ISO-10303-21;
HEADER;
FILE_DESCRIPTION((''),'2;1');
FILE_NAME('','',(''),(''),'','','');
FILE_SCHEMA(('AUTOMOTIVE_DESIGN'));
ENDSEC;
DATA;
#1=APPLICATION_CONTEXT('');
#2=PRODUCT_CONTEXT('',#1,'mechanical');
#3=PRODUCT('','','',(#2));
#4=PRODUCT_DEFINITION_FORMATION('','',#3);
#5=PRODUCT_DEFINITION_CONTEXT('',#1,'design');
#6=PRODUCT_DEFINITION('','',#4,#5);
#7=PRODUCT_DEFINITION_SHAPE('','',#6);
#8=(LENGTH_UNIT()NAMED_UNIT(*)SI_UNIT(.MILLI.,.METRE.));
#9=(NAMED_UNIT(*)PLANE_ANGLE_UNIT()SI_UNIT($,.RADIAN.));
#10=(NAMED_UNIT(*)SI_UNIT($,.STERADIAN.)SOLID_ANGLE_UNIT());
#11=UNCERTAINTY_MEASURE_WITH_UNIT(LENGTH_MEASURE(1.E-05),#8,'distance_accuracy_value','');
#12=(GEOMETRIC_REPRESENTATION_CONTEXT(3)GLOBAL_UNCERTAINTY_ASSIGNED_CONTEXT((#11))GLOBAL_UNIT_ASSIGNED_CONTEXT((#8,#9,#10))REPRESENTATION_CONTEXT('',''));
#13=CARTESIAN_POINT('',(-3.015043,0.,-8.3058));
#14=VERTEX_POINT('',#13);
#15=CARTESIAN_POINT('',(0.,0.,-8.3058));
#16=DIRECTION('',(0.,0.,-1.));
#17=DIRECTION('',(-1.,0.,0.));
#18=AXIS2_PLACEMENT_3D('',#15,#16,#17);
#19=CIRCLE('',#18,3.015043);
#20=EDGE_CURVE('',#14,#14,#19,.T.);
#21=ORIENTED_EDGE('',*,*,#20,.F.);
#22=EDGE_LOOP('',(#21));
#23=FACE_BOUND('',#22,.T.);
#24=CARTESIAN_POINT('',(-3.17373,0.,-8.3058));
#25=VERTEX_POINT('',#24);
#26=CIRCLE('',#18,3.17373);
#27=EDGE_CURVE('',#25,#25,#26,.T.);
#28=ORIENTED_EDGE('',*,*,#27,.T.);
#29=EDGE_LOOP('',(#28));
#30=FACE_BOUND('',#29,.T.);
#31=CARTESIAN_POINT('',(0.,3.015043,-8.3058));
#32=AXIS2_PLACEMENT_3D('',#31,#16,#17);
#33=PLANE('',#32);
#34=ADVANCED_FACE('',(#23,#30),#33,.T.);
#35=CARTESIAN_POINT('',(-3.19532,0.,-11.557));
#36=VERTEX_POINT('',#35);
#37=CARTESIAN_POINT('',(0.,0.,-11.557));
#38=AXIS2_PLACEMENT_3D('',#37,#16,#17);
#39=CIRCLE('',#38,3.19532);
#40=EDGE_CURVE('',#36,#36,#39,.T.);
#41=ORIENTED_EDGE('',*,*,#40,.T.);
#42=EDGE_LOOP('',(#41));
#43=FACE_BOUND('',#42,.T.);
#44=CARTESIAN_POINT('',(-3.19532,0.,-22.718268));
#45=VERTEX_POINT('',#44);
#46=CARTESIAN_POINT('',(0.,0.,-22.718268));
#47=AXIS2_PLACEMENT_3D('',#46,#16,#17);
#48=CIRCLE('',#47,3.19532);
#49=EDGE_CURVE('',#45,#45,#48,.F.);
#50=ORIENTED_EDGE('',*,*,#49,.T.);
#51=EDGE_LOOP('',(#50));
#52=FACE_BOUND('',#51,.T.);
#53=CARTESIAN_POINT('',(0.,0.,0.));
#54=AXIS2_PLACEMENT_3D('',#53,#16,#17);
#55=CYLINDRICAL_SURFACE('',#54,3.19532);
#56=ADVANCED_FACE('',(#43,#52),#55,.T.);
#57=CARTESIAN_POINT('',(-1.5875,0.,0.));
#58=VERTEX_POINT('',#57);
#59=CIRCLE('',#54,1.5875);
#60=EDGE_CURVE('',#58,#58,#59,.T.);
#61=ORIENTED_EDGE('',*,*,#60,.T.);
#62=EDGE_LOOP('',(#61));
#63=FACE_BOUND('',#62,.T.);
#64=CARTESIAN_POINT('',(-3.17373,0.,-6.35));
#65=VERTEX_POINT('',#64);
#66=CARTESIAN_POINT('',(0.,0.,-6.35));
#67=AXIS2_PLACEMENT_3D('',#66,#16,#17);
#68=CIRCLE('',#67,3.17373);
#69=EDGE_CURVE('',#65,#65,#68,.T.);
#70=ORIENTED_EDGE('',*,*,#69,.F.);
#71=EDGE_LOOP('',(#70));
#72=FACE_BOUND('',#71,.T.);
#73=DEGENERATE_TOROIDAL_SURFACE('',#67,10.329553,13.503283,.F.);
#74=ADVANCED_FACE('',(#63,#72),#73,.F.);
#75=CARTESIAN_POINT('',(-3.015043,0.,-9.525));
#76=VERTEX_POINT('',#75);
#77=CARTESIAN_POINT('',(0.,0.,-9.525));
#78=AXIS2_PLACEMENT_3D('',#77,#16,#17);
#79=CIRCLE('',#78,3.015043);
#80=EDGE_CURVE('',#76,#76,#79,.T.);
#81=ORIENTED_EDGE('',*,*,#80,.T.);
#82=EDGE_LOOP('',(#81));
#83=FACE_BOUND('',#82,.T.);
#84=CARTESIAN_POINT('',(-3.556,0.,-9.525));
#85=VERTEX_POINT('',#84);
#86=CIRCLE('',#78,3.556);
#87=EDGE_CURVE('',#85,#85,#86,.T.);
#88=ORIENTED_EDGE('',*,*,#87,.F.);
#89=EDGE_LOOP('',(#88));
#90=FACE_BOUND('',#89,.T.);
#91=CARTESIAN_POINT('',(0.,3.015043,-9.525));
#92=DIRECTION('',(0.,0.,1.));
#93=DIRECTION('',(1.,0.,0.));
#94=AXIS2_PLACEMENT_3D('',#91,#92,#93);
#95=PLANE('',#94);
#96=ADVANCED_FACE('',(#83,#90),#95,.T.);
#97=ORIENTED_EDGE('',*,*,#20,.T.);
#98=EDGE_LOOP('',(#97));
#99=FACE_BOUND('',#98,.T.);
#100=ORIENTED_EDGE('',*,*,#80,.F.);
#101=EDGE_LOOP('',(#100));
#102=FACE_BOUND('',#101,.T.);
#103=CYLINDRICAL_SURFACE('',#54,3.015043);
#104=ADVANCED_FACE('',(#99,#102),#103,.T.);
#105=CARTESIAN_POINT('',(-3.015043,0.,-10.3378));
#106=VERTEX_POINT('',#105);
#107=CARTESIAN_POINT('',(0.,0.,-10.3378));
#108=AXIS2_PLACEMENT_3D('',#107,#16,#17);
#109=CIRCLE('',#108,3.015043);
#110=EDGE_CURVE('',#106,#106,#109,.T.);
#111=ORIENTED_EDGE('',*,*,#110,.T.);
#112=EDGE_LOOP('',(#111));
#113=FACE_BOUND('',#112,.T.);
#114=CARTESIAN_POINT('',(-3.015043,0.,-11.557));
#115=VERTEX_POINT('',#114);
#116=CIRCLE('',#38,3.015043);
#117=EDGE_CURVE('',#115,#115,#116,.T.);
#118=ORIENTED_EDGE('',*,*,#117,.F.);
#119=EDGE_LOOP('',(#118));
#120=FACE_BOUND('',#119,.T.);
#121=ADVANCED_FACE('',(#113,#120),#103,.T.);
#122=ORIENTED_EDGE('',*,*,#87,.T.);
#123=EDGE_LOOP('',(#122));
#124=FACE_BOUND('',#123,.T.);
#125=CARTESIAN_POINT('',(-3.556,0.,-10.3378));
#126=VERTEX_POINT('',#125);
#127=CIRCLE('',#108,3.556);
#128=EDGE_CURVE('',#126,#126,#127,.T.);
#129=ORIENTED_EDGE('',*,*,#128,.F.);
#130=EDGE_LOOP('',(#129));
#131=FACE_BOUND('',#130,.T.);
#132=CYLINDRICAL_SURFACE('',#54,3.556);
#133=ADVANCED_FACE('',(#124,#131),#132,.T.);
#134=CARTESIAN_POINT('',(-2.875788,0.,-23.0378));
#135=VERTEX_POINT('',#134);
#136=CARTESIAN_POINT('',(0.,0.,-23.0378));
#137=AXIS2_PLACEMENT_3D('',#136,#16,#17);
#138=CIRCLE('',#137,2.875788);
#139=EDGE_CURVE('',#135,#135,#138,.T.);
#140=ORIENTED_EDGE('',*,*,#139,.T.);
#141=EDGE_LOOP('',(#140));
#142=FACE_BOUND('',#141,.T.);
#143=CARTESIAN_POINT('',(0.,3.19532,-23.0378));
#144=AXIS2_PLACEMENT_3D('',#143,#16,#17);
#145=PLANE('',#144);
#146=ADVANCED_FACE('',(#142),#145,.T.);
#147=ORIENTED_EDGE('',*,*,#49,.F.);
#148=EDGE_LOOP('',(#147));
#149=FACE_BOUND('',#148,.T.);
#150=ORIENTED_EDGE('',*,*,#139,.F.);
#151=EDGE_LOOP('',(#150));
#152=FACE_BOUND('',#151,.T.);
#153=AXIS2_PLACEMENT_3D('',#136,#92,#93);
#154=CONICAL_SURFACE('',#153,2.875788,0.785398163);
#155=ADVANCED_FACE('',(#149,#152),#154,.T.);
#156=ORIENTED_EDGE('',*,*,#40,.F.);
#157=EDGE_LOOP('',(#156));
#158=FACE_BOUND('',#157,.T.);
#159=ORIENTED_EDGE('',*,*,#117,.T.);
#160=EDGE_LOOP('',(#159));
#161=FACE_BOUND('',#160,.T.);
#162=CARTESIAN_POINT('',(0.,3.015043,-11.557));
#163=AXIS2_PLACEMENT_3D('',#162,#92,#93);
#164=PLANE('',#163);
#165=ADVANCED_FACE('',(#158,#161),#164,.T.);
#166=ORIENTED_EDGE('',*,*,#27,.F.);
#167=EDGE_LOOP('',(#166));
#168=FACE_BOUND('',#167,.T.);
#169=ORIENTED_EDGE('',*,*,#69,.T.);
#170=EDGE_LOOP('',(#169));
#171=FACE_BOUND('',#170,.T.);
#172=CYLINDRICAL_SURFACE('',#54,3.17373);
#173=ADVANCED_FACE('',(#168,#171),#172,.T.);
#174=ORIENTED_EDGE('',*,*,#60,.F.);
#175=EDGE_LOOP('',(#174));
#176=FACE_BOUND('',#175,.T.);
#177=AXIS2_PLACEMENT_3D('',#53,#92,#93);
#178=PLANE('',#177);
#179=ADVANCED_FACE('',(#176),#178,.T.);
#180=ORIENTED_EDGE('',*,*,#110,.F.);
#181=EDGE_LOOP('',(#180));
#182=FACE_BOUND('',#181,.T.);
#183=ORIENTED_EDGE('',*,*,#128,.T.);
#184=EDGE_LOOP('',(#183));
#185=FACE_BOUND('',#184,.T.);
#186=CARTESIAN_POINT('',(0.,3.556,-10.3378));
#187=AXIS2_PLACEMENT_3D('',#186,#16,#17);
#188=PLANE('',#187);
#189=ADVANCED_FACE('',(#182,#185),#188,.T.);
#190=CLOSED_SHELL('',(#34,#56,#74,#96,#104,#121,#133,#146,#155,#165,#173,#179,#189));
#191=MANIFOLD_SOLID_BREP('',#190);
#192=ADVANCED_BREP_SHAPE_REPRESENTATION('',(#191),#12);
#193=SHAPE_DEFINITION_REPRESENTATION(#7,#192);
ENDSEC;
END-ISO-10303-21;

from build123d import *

# Parameters (mm, degrees)
CHAMFER1_SIZE = 0.319532


with BuildPart() as part:
    # Sketch2 → Revolve1 (revolve)
    with BuildSketch(Plane(origin=(0, 0, 0), x_dir=(0, 0, -1), z_dir=(1, 0, 0)), mode=Mode.PRIVATE) as revolve1_sk:
        with BuildLine():
            Line((0, 0), (0, 1.5875))
            ThreePointArc((0, 1.5875), (3.077438862, 2.771171998), (6.35, 3.17373))
            Line((6.35, 3.17373), (8.3058, 3.17373))
            Line((8.3058, 3.17373), (8.3058, 3.0150435))
            Line((8.3058, 3.0150435), (9.525, 3.0150435))
            Line((9.525, 3.0150435), (9.525, 3.556))
            Line((9.525, 3.556), (10.3378, 3.556))
            Line((10.3378, 3.556), (10.3378, 3.0150435))
            Line((10.3378, 3.0150435), (11.557, 3.0150435))
            Line((11.557, 3.0150435), (11.557, 3.19532))
            Line((11.557, 3.19532), (23.0378, 3.19532))
            Line((23.0378, 3.19532), (23.0378, 0))
            Line((23.0378, 0), (0, 0))
        make_face()
    revolve(revolve1_sk.sketch.rotate(Axis((0, 0, 0), (0, 0, 1)), 90), axis=Axis((0, 0, 0), (0, 0, 1)))

    # Chamfer1
    chamfer1_edges = [part.edges().sort_by_distance(p)[0] for p in [
        (3.19532, 0, -23.0378),
    ]]
    chamfer(chamfer1_edges, length=CHAMFER1_SIZE)


solid = part.part
